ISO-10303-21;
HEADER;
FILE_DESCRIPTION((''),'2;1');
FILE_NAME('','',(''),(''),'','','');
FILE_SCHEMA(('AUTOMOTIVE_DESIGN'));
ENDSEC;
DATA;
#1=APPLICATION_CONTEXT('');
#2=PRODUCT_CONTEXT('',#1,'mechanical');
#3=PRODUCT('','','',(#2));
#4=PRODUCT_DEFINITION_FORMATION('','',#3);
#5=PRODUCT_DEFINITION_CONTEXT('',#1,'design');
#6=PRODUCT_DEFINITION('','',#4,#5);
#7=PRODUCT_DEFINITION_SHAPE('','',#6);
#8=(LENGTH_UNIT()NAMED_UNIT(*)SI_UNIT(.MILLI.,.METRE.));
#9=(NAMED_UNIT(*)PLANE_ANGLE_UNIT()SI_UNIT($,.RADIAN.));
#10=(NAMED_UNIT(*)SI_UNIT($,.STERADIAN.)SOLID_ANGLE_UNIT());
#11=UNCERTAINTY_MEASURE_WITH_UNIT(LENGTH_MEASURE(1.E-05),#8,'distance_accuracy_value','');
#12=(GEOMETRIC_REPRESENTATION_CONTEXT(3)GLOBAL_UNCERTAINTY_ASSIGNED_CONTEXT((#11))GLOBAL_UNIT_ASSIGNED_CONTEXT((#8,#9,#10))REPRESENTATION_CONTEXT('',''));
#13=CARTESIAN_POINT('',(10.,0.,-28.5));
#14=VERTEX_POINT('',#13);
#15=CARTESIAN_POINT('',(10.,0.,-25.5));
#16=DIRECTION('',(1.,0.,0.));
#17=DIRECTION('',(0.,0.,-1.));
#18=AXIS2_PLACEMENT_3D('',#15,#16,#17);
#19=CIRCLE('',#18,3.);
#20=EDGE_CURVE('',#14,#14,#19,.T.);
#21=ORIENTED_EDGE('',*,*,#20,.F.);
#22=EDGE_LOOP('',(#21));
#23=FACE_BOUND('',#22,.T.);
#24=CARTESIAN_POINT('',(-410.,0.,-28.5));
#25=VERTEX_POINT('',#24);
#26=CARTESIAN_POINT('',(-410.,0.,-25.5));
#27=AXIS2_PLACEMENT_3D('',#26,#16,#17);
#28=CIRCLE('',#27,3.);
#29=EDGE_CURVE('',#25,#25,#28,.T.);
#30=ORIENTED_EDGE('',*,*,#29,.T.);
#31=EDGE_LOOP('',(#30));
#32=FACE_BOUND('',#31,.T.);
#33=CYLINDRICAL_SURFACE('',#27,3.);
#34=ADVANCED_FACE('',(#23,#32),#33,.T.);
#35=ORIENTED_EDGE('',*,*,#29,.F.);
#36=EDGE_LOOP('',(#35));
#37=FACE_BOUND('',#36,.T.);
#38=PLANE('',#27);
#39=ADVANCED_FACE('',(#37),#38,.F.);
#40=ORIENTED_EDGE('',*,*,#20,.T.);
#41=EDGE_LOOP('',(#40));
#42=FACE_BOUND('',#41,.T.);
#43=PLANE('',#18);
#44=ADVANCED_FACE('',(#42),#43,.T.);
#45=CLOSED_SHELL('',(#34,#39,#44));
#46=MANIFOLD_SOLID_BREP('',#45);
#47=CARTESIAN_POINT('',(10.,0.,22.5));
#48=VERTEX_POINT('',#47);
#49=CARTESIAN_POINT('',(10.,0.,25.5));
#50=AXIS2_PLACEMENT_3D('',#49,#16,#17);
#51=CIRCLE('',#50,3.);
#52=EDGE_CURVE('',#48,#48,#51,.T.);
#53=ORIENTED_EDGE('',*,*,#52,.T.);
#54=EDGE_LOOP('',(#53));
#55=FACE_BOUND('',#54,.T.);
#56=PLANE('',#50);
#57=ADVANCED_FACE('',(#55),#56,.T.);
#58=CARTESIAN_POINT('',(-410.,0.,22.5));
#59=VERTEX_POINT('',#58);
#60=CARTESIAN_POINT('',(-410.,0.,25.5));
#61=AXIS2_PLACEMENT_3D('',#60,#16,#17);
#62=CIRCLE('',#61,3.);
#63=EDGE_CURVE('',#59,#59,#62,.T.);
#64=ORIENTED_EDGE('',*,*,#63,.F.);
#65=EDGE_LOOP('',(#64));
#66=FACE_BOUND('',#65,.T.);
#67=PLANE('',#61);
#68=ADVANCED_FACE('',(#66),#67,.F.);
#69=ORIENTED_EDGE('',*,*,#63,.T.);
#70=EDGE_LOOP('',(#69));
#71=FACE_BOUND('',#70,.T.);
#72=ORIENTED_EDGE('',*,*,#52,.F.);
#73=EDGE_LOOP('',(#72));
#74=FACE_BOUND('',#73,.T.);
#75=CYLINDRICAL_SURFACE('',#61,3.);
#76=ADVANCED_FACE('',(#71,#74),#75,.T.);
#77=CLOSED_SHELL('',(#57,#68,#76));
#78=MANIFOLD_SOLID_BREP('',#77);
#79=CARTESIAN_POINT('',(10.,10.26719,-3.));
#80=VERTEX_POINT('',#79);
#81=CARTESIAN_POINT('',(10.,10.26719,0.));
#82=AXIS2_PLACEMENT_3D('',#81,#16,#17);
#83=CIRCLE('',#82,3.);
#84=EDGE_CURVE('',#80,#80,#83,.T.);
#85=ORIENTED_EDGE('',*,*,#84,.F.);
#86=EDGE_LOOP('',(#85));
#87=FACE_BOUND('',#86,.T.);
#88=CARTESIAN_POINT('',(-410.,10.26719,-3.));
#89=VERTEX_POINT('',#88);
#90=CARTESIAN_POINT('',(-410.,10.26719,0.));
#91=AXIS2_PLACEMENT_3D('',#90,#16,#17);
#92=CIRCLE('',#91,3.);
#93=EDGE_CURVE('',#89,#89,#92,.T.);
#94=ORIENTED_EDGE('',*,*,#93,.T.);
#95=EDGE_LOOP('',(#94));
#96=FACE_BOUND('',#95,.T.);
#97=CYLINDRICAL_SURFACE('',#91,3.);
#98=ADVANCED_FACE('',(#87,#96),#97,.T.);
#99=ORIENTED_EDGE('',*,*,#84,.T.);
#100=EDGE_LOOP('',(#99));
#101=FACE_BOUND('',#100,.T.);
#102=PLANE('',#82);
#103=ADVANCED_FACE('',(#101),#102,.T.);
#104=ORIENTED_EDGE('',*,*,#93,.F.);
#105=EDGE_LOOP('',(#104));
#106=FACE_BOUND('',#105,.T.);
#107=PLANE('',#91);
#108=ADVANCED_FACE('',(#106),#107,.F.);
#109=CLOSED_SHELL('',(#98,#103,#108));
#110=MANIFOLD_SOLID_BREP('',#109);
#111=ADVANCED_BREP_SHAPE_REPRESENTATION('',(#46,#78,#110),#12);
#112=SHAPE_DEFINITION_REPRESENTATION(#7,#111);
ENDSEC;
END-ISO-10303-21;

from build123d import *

# Parameters (mm, degrees)
BOSS_EXTRUDE1_START   = 10
SKETCH2_R             = 3
BOSS_EXTRUDE1_DEPTH   = 420
BOSS_EXTRUDE1_2_DEPTH = 420
BOSS_EXTRUDE1_3_DEPTH = 420


with BuildPart() as part:
    # Sketch2 → Boss-Extrude1 (new body)
    with BuildSketch(Plane(origin=(0, 0, 0), x_dir=(0, 0, -1), z_dir=(1, 0, 0)).offset(BOSS_EXTRUDE1_START)):
        with Locations((25.5, 0)):
            Circle(SKETCH2_R)
    extrude(amount=-BOSS_EXTRUDE1_DEPTH)


with BuildPart() as body_2:
    # Sketch2 → Boss-Extrude1 2 (new body)
    with BuildSketch(Plane(origin=(0, 0, 0), x_dir=(0, 0, -1), z_dir=(1, 0, 0)).offset(BOSS_EXTRUDE1_START)):
        with Locations((0, 10.267190122)):
            Circle(SKETCH2_R)
    extrude(amount=-BOSS_EXTRUDE1_2_DEPTH)


with BuildPart() as body_3:
    # Sketch2 → Boss-Extrude1 3 (new body)
    with BuildSketch(Plane(origin=(0, 0, 0), x_dir=(0, 0, -1), z_dir=(1, 0, 0)).offset(BOSS_EXTRUDE1_START)):
        with Locations((-25.5, 0)):
            Circle(SKETCH2_R)
    extrude(amount=-BOSS_EXTRUDE1_3_DEPTH)


solid = Compound([part.part, body_2.part, body_3.part])
